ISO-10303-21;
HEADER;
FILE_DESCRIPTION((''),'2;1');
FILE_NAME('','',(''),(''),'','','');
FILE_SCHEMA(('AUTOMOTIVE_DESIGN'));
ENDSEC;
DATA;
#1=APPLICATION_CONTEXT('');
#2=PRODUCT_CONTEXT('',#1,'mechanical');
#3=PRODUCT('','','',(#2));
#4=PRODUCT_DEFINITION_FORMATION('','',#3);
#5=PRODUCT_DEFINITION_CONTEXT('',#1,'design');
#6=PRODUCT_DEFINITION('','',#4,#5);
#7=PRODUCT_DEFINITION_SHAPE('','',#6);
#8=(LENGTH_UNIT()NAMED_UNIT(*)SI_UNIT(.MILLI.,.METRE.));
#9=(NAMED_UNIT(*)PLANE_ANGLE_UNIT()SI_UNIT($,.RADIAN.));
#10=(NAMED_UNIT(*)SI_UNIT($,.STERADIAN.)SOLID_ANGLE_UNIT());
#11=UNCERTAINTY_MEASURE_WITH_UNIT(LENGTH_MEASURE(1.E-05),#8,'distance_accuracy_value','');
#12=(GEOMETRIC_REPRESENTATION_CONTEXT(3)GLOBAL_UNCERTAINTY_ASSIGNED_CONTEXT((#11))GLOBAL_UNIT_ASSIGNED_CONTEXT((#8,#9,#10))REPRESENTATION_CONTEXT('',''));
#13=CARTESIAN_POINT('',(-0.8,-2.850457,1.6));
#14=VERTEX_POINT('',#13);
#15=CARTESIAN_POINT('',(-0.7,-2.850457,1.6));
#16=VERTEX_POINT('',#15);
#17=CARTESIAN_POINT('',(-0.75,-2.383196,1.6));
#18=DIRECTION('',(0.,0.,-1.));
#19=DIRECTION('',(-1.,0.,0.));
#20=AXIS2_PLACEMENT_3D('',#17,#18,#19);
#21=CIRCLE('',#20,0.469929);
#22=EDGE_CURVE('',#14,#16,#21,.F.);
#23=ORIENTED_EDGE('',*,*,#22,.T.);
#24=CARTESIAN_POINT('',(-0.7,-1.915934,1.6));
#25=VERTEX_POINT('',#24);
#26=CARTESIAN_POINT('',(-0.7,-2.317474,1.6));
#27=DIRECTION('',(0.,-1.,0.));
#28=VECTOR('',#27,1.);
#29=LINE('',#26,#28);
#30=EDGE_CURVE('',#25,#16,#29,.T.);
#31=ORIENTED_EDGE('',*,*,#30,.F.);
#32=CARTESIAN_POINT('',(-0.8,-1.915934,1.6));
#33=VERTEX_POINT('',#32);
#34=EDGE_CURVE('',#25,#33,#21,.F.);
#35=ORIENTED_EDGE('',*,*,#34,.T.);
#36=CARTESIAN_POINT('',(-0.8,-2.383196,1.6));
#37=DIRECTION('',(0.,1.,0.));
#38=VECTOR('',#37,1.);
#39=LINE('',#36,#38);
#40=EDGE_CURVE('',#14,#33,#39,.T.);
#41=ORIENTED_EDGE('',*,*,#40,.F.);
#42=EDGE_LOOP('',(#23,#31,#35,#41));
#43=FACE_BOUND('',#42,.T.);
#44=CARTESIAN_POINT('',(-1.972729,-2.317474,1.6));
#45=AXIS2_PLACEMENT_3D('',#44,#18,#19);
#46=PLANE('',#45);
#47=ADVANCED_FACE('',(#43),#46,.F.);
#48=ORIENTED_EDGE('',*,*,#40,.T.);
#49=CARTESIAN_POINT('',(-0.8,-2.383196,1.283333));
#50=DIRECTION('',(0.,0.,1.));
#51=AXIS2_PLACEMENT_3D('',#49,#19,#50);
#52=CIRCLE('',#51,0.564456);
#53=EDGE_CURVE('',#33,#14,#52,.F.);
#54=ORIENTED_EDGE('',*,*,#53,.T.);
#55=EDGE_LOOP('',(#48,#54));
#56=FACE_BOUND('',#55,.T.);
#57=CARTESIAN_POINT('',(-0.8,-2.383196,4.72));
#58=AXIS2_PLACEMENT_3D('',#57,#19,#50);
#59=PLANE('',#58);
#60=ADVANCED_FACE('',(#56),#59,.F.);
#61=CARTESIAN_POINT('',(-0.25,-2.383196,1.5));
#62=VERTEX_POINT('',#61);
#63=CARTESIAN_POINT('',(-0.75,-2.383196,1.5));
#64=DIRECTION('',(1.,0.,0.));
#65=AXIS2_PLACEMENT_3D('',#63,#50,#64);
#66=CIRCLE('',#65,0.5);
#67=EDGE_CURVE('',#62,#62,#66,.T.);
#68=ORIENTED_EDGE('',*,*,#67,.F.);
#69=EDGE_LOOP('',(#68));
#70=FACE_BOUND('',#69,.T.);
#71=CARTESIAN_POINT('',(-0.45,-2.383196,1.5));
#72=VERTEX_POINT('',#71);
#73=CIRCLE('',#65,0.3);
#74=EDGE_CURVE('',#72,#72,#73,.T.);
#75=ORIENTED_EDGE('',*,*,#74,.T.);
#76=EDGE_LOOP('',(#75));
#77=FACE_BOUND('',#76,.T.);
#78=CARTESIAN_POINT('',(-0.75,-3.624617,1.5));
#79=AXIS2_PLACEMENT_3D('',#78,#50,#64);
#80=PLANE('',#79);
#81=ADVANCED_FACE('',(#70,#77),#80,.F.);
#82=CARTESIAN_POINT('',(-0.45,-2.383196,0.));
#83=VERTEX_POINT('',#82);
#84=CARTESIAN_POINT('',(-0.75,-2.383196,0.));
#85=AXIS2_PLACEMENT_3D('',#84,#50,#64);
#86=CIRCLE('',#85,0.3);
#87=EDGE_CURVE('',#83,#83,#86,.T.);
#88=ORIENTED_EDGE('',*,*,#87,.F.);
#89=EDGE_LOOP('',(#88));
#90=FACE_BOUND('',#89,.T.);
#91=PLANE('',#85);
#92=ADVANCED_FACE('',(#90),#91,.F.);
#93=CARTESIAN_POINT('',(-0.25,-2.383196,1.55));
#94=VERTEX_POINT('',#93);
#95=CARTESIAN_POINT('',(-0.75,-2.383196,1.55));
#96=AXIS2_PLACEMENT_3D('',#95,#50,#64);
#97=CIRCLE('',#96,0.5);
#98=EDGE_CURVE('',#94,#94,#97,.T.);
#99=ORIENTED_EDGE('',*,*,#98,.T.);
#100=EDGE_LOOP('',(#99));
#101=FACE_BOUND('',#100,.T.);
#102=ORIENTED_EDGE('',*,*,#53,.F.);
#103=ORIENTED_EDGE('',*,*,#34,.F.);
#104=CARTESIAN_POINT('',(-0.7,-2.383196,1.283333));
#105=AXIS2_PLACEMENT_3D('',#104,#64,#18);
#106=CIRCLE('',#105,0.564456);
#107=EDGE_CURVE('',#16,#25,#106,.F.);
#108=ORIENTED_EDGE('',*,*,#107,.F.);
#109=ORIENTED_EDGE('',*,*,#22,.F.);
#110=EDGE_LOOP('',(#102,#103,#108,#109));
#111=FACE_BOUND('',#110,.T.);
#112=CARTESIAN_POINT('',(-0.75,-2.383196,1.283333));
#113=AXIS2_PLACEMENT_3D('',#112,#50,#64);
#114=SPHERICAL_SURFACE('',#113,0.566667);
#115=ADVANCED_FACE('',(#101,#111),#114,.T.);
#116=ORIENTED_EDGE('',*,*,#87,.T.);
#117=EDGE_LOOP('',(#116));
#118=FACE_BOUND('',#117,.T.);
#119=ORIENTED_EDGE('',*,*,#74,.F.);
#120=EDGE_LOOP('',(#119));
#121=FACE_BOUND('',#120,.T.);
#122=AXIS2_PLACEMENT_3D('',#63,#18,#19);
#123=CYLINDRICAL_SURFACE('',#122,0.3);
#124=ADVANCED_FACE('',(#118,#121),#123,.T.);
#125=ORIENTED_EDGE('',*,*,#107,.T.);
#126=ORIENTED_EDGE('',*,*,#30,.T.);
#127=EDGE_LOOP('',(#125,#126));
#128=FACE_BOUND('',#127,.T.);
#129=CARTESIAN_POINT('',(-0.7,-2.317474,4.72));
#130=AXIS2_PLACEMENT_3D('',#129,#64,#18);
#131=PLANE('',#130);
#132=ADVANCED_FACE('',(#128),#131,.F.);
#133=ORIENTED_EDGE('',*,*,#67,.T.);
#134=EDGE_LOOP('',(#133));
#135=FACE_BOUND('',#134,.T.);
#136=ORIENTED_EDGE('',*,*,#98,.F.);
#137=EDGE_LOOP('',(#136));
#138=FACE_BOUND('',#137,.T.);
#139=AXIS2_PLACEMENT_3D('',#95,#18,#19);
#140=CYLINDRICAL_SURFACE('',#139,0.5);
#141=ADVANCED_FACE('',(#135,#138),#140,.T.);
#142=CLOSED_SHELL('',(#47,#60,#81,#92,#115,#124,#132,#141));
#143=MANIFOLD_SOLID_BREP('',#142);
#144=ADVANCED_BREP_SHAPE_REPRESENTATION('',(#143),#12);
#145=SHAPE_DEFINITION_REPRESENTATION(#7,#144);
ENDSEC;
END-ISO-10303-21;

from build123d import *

# Parameters (mm, degrees)
SKETCH_1_R          = 0.3
EXTRUDE_1_DEPTH     = 1.5
SKETCH_2_R          = 0.5
SKETCH_2_R_2        = 0.3
EXTRUDE_2_DEPTH     = 0.05
DOME_1_FACE_RADIUS  = 0.5
DOME_1_HEIGHT       = 0.3
CUT_EXTRUDE_1_DEPTH = 3.12


with BuildPart() as part:
    # 草图1 → 凸台-拉伸1 (new body)
    with BuildSketch(Plane.XY):
        with Locations((-0.75, -2.383195553)):
            Circle(SKETCH_1_R)
    extrude(amount=EXTRUDE_1_DEPTH)

    # 草图2 → 凸台-拉伸2 (add)
    with BuildSketch(Plane.XY.offset(1.5)):
        with Locations((-0.75, -2.383195553)):
            Circle(SKETCH_2_R)
        with Locations((-0.75, -2.383195553)):
            Circle(SKETCH_2_R_2, mode=Mode.SUBTRACT)
        with Locations((-0.75, -2.383195553)):
            Circle(SKETCH_2_R_2)
    extrude(amount=EXTRUDE_2_DEPTH)

    # 圆顶1: a dome of height H over a round flat face of radius A is a cap of a sphere of radius (A * A + H * H) / (2 * H)
    dome_1_r = (DOME_1_FACE_RADIUS * DOME_1_FACE_RADIUS + DOME_1_HEIGHT * DOME_1_HEIGHT) / (2 * DOME_1_HEIGHT)
    dome_1_base = Plane((-0.75, -2.383195553, 1.55), z_dir=(0, 0, 1))
    with Locations(dome_1_base.offset(DOME_1_HEIGHT - dome_1_r)):
        dome_1_ball = Sphere(dome_1_r, mode=Mode.PRIVATE)
    add(split(dome_1_ball, bisect_by=dome_1_base, keep=Keep.TOP, mode=Mode.PRIVATE))

    # 草图3 → 切除-拉伸1 (cut)
    with BuildSketch(Plane(origin=(0, 0, 1.6), x_dir=(-1, 0, 0), z_dir=(0, 0, -1))):
        Polygon((0.8, -2.383195553), (0.8, -3.010764218), (0.7, -3.010764218), (0.7, -2.383195553), (0.7, -1.624183347), (0.8, -1.624183347), align=None)
    extrude(amount=-CUT_EXTRUDE_1_DEPTH, mode=Mode.SUBTRACT)


solid = part.part
